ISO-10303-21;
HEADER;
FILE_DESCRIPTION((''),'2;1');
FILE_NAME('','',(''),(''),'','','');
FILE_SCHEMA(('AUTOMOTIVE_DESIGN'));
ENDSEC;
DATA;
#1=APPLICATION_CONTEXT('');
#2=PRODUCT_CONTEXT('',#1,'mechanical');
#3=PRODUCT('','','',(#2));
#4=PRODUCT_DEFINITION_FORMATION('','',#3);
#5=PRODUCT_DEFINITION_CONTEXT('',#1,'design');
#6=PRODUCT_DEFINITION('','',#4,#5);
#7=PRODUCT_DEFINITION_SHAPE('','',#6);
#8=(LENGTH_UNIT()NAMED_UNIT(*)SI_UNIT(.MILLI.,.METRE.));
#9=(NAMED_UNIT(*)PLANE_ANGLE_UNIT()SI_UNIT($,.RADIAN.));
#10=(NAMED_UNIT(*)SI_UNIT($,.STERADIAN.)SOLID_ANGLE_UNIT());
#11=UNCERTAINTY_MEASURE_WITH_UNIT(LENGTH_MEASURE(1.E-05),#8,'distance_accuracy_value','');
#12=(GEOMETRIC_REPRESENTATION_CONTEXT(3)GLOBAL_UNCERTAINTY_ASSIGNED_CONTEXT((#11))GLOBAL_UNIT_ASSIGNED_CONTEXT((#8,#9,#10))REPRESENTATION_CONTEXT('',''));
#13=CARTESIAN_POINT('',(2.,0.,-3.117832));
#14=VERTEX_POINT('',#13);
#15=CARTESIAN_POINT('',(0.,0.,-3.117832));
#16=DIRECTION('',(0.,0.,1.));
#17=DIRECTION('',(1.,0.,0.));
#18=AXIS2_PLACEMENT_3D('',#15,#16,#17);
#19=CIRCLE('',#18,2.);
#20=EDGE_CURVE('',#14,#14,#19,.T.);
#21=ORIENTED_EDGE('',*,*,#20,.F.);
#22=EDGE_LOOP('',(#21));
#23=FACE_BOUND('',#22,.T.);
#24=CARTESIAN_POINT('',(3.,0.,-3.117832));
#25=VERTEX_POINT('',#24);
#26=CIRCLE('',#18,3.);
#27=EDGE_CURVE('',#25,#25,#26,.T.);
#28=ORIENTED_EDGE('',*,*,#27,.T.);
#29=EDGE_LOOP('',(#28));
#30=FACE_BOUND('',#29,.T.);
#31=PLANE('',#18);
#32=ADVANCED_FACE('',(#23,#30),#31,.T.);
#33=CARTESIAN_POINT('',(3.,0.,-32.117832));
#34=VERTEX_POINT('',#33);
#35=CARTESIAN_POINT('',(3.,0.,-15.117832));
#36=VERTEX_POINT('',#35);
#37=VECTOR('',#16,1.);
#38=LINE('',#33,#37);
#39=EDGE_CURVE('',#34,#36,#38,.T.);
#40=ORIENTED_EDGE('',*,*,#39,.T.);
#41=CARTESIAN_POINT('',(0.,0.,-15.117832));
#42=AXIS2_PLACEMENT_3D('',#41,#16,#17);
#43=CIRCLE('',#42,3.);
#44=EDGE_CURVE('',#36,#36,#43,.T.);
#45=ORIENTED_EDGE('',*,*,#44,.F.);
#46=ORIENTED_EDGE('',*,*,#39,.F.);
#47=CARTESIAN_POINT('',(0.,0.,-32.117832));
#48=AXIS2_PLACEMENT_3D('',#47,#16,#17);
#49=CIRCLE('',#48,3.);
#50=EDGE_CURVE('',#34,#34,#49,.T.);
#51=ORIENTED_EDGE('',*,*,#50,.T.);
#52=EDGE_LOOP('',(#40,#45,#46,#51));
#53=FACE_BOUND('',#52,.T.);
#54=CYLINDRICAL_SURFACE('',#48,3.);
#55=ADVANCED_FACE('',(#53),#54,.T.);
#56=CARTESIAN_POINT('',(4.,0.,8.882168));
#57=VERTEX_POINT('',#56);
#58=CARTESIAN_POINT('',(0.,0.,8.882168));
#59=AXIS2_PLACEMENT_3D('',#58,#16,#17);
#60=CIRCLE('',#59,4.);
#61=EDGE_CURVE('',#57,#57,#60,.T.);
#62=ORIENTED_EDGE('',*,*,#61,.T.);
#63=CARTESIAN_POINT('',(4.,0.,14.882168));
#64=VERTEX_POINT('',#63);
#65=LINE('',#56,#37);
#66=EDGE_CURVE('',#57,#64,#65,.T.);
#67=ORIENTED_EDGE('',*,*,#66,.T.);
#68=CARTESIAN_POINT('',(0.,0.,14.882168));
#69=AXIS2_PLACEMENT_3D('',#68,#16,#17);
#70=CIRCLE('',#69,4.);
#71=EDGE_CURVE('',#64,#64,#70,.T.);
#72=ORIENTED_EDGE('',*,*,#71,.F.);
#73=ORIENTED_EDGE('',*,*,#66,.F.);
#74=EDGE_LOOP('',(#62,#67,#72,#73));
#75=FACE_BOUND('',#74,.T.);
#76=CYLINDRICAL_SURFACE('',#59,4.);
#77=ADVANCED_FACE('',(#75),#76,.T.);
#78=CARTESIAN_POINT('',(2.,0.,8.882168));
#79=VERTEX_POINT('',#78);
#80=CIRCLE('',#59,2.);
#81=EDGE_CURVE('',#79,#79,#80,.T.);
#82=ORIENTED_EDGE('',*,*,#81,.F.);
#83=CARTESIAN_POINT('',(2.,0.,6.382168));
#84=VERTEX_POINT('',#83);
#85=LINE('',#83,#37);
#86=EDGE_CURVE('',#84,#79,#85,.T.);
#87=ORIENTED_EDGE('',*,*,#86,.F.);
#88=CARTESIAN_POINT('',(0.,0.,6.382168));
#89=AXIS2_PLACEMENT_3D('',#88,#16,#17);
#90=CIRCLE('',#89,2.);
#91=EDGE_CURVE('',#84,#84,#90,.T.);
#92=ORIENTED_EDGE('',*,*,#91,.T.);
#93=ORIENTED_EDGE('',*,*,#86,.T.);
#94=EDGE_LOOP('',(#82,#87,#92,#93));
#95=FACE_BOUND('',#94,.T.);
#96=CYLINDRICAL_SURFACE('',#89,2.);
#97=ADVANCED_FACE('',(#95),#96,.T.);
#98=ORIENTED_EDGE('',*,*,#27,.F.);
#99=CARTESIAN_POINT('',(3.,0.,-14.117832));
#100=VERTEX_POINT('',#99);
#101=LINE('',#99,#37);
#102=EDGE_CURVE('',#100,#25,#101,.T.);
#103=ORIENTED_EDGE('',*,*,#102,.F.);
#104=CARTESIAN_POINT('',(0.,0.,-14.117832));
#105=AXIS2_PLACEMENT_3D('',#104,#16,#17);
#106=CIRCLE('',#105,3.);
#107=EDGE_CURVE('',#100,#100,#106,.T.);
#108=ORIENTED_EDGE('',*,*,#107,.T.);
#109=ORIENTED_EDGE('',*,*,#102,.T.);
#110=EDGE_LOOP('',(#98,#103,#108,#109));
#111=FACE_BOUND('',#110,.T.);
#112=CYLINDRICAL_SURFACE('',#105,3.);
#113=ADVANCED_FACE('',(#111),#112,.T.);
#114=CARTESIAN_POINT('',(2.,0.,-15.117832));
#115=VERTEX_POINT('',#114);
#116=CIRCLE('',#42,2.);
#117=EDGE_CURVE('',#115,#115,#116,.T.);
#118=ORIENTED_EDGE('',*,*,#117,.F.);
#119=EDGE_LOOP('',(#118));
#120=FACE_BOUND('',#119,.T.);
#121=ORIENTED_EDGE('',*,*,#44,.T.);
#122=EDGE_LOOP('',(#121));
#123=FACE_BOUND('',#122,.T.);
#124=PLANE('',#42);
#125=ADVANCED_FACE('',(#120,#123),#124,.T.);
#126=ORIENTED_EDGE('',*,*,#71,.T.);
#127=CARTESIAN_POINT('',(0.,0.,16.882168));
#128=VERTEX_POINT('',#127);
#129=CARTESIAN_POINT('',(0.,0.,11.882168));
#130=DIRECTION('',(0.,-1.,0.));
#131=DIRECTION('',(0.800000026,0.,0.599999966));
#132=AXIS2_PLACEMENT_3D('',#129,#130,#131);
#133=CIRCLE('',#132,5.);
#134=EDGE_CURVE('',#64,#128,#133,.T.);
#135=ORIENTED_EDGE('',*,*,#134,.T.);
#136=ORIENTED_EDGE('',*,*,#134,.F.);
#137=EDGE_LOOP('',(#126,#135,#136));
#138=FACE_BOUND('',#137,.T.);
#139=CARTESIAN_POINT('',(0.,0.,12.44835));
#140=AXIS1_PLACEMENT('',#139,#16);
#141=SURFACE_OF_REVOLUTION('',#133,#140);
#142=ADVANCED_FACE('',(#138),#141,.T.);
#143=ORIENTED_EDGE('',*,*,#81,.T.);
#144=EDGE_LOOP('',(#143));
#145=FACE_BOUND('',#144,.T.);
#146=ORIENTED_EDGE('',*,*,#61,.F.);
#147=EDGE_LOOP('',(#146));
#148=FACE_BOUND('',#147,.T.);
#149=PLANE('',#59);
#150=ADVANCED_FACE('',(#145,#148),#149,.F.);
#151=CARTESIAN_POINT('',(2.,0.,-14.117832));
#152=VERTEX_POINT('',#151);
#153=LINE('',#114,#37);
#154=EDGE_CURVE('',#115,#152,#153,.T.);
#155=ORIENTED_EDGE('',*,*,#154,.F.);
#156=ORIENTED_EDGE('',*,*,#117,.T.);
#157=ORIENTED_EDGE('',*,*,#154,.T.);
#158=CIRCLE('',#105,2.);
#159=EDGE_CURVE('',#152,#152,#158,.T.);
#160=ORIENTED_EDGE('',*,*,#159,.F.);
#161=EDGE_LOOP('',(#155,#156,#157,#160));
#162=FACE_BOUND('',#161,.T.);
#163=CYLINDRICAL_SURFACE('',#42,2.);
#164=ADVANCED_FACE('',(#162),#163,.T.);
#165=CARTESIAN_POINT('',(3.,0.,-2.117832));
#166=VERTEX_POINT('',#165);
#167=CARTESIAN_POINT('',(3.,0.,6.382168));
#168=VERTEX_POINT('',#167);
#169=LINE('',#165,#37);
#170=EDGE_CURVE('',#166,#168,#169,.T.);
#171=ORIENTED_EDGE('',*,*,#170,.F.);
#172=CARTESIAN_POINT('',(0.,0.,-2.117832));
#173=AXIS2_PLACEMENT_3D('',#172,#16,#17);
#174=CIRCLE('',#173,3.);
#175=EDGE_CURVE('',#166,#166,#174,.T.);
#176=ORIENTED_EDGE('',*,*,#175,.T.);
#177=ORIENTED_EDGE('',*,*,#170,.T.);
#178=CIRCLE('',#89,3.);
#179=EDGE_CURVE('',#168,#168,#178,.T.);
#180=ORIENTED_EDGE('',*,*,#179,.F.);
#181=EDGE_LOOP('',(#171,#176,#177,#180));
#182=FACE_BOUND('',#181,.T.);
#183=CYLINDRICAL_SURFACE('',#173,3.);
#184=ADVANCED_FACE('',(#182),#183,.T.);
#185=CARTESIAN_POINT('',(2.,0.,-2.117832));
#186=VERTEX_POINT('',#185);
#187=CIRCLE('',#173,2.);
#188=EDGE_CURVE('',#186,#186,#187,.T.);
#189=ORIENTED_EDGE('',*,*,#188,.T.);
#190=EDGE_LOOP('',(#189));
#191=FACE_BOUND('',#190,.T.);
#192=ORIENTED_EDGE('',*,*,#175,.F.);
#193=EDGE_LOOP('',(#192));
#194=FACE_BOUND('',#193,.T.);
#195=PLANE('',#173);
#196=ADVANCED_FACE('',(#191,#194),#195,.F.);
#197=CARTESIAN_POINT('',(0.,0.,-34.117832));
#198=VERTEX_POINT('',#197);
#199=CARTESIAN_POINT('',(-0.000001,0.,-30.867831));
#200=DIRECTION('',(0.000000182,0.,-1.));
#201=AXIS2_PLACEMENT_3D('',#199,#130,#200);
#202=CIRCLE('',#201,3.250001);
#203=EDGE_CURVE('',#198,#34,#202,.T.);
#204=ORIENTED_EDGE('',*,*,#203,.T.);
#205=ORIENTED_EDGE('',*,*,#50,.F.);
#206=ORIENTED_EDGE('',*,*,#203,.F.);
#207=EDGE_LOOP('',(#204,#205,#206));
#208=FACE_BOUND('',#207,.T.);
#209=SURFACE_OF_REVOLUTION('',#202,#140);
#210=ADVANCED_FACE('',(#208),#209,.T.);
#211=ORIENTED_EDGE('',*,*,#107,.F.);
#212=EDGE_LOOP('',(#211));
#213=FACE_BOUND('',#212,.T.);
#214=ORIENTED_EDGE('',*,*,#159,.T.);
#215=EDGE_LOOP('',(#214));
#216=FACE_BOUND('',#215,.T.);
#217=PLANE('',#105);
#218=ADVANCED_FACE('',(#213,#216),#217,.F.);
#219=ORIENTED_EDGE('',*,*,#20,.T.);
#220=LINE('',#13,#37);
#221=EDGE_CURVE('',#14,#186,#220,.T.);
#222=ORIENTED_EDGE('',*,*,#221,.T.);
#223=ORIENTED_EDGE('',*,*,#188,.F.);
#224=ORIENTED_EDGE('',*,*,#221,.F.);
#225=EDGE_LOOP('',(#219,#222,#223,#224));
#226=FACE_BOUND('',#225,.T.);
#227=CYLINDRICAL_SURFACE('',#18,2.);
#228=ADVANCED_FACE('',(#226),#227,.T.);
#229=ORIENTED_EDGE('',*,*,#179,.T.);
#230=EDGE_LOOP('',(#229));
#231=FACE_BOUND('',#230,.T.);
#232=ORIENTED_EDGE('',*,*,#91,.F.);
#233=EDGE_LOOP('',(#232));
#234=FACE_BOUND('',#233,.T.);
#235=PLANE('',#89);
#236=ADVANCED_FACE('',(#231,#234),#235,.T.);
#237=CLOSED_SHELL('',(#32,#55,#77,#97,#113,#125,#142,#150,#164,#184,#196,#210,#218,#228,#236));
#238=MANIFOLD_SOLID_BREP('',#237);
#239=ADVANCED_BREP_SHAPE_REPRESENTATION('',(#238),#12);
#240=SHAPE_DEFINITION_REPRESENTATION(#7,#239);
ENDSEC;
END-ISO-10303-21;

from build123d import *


with BuildPart() as f1:
    # F0 (on Front) → F1 (revolve)
    with BuildSketch(Plane.XZ):
        with BuildLine():
            Line((4, 8.882168), (4, 14.882168))
            ThreePointArc((4, 14.882168), (2.236068, 16.354304), (0, 16.882168))
            Line((0, 16.882168), (0, -34.117832))
            ThreePointArc((0, -34.117832), (1.802776, -33.571995), (3, -32.117832))
            Line((3, -32.117832), (3, -15.117832))
            Line((3, -15.117832), (2, -15.117832))
            Line((2, -15.117832), (2, -14.117832))
            Line((2, -14.117832), (3, -14.117832))
            Line((3, -14.117832), (3, -3.117832))
            Line((3, -3.117832), (2, -3.117832))
            Line((2, -3.117832), (2, -2.117832))
            Line((2, -2.117832), (3, -2.117832))
            Line((3, -2.117832), (3, 6.382168))
            Line((3, 6.382168), (2, 6.382168))
            Line((2, 6.382168), (2, 8.882168))
            Line((2, 8.882168), (4, 8.882168))
        make_face()
    revolve(axis=Axis((0, 0, 12.44835), (0, 0, 1)))


solid = f1.part
